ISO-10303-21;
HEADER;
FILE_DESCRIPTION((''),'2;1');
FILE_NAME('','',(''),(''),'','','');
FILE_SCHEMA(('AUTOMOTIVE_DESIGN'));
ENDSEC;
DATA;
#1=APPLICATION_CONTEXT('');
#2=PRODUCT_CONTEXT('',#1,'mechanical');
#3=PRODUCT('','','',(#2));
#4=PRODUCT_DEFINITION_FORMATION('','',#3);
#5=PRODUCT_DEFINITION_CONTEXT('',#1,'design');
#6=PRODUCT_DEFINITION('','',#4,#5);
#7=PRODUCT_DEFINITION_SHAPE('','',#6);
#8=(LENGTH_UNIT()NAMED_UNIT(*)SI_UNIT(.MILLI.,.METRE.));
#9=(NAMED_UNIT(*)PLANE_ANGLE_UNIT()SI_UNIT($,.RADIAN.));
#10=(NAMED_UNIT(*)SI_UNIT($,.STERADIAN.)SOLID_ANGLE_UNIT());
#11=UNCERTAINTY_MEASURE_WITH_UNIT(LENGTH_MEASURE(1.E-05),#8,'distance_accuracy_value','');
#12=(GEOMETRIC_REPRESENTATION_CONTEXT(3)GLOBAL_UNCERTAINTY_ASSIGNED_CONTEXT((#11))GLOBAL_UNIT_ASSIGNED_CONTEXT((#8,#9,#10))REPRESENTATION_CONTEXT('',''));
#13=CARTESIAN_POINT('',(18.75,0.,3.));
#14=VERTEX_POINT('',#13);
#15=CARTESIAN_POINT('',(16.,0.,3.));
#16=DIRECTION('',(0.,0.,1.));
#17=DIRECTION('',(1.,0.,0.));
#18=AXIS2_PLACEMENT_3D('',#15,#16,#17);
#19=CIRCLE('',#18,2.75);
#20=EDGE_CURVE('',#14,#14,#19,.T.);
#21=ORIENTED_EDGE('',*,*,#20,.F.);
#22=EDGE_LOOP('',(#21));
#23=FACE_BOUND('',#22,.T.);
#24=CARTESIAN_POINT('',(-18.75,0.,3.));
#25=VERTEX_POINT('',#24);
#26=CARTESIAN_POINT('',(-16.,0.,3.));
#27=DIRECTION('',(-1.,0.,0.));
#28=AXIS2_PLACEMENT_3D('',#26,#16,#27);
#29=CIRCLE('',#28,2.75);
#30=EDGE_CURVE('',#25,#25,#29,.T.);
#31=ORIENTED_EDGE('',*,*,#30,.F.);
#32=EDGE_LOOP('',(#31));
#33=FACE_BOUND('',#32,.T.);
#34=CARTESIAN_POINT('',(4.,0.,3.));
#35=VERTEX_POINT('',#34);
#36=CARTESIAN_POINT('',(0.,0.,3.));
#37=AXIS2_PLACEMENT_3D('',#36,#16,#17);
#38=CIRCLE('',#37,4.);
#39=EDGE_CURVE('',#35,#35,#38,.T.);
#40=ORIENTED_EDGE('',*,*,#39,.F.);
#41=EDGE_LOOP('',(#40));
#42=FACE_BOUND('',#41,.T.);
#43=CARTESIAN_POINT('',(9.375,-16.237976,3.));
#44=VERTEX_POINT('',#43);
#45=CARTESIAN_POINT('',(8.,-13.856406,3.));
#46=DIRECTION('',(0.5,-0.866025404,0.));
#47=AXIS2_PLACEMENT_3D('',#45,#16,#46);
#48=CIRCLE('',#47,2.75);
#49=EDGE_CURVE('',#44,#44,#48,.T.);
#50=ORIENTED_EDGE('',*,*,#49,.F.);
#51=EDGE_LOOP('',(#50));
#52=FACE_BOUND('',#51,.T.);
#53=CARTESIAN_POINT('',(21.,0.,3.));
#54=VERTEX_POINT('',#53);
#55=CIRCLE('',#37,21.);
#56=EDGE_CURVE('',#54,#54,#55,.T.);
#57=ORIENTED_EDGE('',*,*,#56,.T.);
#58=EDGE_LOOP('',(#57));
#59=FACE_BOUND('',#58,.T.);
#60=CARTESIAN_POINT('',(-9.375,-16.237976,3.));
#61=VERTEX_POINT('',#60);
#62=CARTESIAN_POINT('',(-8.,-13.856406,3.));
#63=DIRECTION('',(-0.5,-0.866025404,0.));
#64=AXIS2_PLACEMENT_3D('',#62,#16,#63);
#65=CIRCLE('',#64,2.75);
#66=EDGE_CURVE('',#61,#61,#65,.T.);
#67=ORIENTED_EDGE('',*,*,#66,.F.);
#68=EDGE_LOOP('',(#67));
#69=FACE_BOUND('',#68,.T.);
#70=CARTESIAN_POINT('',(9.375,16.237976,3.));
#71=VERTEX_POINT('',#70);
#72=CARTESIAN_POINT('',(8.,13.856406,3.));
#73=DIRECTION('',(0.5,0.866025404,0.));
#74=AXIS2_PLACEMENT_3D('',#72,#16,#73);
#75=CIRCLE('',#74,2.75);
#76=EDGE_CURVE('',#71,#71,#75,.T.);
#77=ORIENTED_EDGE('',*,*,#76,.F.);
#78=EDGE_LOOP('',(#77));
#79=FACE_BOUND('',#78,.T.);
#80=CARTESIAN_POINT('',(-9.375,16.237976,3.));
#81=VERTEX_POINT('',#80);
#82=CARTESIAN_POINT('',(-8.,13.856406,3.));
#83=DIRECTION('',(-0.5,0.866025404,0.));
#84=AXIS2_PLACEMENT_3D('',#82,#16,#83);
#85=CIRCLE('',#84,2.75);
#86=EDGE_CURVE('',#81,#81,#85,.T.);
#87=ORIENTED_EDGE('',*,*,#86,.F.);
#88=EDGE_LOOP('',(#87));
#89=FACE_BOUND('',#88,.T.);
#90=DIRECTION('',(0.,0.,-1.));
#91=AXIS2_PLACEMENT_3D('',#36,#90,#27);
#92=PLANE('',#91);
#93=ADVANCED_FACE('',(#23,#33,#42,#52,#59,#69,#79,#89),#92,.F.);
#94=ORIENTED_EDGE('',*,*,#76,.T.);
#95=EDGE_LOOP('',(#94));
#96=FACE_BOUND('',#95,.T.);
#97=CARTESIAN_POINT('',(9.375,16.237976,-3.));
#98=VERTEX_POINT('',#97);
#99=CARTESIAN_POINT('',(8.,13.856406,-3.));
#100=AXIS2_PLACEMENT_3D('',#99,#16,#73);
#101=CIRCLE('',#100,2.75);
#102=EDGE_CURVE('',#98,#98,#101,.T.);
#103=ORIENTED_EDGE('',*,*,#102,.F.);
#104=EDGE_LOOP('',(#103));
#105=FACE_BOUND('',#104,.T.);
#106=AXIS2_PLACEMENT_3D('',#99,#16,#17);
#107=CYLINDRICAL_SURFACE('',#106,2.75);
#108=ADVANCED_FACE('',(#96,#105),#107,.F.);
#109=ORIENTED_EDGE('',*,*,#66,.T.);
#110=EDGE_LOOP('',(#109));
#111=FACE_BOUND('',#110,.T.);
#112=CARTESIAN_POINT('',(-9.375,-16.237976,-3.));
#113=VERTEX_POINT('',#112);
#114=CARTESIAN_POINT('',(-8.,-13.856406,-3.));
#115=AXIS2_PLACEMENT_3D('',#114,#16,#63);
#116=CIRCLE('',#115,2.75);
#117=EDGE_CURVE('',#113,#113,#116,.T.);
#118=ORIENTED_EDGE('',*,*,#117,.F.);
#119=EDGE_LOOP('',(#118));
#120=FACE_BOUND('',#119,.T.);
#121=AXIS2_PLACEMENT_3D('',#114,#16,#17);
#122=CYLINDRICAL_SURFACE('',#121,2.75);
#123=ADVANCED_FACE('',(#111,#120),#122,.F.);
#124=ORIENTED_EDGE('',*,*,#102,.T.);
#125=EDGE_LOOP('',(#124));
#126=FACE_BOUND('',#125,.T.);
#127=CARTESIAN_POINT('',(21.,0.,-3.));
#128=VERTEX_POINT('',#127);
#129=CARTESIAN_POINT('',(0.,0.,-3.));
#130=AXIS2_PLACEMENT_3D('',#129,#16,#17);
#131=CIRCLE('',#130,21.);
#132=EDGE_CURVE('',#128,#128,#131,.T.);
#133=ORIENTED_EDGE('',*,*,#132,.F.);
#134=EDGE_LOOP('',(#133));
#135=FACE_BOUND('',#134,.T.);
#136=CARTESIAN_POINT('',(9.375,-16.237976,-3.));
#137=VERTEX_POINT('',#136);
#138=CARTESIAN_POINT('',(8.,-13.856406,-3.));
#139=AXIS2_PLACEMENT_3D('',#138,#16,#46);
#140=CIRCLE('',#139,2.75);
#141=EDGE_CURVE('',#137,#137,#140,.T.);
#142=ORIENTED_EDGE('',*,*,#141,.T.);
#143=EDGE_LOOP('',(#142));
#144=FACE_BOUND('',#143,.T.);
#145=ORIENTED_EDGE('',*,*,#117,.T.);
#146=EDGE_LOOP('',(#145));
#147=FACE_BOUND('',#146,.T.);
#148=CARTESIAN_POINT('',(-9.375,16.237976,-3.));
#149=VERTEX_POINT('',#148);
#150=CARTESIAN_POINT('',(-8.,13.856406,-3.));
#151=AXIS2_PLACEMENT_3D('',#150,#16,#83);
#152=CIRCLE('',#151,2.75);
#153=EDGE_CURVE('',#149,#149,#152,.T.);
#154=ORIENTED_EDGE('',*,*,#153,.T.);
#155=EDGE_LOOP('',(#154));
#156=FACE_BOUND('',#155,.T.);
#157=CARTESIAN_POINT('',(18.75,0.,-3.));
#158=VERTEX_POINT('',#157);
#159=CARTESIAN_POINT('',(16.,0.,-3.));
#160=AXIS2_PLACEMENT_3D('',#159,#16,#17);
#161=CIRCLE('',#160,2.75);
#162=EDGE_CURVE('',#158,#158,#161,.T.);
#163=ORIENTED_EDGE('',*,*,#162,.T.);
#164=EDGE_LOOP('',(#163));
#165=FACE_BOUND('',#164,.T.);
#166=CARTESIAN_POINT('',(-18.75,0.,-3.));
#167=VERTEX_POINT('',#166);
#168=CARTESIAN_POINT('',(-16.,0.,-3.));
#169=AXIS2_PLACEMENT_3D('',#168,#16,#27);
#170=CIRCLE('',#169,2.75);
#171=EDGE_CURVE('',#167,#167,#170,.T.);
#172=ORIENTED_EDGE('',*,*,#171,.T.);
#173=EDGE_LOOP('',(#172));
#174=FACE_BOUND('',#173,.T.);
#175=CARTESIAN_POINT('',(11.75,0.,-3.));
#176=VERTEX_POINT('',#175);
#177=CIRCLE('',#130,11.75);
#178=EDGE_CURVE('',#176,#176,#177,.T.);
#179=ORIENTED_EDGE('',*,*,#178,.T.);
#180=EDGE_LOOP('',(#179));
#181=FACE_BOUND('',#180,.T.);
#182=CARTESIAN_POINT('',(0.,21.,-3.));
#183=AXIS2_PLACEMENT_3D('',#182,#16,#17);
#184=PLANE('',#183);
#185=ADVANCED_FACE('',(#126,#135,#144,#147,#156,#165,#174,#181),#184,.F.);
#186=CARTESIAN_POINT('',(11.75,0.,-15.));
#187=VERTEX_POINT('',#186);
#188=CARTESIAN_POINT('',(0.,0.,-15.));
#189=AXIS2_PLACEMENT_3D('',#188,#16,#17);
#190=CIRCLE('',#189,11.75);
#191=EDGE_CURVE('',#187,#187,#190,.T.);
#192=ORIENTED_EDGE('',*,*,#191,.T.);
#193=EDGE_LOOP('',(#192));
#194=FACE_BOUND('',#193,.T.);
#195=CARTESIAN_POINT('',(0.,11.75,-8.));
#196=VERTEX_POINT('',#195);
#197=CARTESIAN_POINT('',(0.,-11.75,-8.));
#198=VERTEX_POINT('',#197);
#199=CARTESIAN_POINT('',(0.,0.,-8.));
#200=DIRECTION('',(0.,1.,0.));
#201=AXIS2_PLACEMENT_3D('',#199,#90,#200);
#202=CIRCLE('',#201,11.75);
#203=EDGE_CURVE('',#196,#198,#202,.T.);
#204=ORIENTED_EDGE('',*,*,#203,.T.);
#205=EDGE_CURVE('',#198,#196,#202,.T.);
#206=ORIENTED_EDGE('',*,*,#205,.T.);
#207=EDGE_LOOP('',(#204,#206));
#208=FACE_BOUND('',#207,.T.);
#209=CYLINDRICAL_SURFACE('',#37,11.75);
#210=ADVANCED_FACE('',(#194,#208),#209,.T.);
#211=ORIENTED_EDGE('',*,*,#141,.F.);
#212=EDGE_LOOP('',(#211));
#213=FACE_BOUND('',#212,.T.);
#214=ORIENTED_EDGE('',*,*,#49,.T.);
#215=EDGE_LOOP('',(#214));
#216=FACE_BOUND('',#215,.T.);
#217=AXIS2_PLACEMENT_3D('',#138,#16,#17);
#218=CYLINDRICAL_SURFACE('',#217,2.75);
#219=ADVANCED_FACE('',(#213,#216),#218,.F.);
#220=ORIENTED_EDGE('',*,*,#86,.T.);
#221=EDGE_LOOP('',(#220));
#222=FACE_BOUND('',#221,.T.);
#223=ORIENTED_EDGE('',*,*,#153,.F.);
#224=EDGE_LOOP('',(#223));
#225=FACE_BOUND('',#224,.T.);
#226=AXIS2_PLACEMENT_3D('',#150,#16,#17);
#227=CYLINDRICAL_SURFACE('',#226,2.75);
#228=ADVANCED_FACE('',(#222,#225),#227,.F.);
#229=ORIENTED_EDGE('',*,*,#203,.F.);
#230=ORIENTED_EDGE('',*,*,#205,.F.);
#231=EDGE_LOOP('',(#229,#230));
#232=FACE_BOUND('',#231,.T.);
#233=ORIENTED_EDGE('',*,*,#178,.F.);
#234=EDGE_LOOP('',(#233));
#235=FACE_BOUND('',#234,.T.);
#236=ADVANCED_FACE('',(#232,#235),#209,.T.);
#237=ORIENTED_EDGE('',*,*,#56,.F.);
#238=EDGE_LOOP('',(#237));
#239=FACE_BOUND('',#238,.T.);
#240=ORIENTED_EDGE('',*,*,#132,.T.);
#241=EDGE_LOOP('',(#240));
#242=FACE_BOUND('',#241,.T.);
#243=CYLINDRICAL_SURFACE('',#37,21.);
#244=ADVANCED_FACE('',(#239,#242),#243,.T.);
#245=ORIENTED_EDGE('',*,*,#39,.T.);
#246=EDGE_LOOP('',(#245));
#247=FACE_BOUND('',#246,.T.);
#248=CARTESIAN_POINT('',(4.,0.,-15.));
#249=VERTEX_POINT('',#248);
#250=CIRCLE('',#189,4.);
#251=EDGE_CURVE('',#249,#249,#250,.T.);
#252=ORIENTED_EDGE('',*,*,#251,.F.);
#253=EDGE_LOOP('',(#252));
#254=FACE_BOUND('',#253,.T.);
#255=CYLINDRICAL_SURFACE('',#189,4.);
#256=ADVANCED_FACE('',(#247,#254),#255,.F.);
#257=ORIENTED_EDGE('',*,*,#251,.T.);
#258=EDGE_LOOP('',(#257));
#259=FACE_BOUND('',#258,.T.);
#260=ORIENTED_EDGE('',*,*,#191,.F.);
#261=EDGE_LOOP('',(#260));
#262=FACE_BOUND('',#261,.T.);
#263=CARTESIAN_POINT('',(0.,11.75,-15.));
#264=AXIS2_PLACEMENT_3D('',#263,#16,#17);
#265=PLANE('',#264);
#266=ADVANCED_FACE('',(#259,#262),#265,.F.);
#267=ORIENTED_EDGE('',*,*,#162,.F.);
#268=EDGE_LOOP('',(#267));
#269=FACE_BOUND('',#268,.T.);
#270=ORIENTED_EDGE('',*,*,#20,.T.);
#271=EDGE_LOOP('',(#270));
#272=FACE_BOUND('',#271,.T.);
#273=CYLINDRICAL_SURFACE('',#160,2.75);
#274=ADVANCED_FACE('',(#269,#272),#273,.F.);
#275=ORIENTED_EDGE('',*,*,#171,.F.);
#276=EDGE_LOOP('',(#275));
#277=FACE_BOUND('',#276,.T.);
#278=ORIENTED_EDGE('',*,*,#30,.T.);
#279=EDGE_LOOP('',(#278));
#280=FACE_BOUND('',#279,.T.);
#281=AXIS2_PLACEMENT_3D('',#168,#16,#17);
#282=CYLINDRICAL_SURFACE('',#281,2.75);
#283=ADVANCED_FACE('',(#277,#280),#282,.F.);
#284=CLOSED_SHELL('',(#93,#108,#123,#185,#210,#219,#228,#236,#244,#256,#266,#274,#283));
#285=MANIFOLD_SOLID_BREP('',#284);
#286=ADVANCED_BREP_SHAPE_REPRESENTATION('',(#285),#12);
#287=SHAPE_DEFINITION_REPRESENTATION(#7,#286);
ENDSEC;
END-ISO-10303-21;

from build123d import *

# Parameters (mm, degrees)
CUT_EXTRUDE_5_DEPTH      = 34.271609519
CUT_EXTRUDE_5_DEPTH_BACK = 34.271609519
SKETCH_8_R               = 4
EXTRUDE_START            = -75
SKETCH_10_R              = 4
EXTRUDE_1_DEPTH          = 150
SKETCH_12_R              = 2.75
CUT_EXTRUDE_6_DEPTH      = 6
PATTERN_CIRCULAR_1_COUNT = 6


with BuildPart() as part:
    # 草图3 → 旋转1 (revolve)
    with BuildSketch(Plane(origin=(0, 0, 0), x_dir=(0, 0, -1), z_dir=(1, 0, 0)), mode=Mode.PRIVATE) as revolve_1_sk:
        Polygon((-3, 0), (-3, 21), (3, 21), (3, 11.75), (15, 11.75), (15, 0), align=None)
    revolve(revolve_1_sk.sketch.rotate(Axis((0, 0, 3), (0, 0, -1)), 90), axis=Axis((0, 0, 3), (0, 0, -1)))

    # 草图8 → 切除-拉伸5 (cut, two sides: drawn at the far end of the back side and taken through both)
    with BuildSketch(Plane.XY.offset(-CUT_EXTRUDE_5_DEPTH_BACK)):
        Circle(SKETCH_8_R)
    extrude(amount=CUT_EXTRUDE_5_DEPTH + CUT_EXTRUDE_5_DEPTH_BACK, mode=Mode.SUBTRACT)

    # 草图12 → 切除-拉伸6 (cut)
    with BuildSketch(Plane.XY.offset(3)):
        with Locations((16, 0)):
            Circle(SKETCH_12_R)
    cut_extrude_6 = extrude(amount=-CUT_EXTRUDE_6_DEPTH, mode=Mode.SUBTRACT)

    # 阵列(圆周)1: 切除-拉伸6 ×6 about axis
    pattern_circular_1_axis = Axis((0, 0, 0), (0, 0, 1))
    for i in range(1, PATTERN_CIRCULAR_1_COUNT):
        add(cut_extrude_6.rotate(pattern_circular_1_axis, i * 360 / PATTERN_CIRCULAR_1_COUNT), mode=Mode.SUBTRACT)


with BuildPart() as body_2:
    # 草图10 → 凸台-拉伸1 (new body)
    with BuildSketch(Plane.XY.offset(EXTRUDE_START)):
        Circle(SKETCH_10_R)
    extrude(amount=EXTRUDE_1_DEPTH)


solid = part.part
